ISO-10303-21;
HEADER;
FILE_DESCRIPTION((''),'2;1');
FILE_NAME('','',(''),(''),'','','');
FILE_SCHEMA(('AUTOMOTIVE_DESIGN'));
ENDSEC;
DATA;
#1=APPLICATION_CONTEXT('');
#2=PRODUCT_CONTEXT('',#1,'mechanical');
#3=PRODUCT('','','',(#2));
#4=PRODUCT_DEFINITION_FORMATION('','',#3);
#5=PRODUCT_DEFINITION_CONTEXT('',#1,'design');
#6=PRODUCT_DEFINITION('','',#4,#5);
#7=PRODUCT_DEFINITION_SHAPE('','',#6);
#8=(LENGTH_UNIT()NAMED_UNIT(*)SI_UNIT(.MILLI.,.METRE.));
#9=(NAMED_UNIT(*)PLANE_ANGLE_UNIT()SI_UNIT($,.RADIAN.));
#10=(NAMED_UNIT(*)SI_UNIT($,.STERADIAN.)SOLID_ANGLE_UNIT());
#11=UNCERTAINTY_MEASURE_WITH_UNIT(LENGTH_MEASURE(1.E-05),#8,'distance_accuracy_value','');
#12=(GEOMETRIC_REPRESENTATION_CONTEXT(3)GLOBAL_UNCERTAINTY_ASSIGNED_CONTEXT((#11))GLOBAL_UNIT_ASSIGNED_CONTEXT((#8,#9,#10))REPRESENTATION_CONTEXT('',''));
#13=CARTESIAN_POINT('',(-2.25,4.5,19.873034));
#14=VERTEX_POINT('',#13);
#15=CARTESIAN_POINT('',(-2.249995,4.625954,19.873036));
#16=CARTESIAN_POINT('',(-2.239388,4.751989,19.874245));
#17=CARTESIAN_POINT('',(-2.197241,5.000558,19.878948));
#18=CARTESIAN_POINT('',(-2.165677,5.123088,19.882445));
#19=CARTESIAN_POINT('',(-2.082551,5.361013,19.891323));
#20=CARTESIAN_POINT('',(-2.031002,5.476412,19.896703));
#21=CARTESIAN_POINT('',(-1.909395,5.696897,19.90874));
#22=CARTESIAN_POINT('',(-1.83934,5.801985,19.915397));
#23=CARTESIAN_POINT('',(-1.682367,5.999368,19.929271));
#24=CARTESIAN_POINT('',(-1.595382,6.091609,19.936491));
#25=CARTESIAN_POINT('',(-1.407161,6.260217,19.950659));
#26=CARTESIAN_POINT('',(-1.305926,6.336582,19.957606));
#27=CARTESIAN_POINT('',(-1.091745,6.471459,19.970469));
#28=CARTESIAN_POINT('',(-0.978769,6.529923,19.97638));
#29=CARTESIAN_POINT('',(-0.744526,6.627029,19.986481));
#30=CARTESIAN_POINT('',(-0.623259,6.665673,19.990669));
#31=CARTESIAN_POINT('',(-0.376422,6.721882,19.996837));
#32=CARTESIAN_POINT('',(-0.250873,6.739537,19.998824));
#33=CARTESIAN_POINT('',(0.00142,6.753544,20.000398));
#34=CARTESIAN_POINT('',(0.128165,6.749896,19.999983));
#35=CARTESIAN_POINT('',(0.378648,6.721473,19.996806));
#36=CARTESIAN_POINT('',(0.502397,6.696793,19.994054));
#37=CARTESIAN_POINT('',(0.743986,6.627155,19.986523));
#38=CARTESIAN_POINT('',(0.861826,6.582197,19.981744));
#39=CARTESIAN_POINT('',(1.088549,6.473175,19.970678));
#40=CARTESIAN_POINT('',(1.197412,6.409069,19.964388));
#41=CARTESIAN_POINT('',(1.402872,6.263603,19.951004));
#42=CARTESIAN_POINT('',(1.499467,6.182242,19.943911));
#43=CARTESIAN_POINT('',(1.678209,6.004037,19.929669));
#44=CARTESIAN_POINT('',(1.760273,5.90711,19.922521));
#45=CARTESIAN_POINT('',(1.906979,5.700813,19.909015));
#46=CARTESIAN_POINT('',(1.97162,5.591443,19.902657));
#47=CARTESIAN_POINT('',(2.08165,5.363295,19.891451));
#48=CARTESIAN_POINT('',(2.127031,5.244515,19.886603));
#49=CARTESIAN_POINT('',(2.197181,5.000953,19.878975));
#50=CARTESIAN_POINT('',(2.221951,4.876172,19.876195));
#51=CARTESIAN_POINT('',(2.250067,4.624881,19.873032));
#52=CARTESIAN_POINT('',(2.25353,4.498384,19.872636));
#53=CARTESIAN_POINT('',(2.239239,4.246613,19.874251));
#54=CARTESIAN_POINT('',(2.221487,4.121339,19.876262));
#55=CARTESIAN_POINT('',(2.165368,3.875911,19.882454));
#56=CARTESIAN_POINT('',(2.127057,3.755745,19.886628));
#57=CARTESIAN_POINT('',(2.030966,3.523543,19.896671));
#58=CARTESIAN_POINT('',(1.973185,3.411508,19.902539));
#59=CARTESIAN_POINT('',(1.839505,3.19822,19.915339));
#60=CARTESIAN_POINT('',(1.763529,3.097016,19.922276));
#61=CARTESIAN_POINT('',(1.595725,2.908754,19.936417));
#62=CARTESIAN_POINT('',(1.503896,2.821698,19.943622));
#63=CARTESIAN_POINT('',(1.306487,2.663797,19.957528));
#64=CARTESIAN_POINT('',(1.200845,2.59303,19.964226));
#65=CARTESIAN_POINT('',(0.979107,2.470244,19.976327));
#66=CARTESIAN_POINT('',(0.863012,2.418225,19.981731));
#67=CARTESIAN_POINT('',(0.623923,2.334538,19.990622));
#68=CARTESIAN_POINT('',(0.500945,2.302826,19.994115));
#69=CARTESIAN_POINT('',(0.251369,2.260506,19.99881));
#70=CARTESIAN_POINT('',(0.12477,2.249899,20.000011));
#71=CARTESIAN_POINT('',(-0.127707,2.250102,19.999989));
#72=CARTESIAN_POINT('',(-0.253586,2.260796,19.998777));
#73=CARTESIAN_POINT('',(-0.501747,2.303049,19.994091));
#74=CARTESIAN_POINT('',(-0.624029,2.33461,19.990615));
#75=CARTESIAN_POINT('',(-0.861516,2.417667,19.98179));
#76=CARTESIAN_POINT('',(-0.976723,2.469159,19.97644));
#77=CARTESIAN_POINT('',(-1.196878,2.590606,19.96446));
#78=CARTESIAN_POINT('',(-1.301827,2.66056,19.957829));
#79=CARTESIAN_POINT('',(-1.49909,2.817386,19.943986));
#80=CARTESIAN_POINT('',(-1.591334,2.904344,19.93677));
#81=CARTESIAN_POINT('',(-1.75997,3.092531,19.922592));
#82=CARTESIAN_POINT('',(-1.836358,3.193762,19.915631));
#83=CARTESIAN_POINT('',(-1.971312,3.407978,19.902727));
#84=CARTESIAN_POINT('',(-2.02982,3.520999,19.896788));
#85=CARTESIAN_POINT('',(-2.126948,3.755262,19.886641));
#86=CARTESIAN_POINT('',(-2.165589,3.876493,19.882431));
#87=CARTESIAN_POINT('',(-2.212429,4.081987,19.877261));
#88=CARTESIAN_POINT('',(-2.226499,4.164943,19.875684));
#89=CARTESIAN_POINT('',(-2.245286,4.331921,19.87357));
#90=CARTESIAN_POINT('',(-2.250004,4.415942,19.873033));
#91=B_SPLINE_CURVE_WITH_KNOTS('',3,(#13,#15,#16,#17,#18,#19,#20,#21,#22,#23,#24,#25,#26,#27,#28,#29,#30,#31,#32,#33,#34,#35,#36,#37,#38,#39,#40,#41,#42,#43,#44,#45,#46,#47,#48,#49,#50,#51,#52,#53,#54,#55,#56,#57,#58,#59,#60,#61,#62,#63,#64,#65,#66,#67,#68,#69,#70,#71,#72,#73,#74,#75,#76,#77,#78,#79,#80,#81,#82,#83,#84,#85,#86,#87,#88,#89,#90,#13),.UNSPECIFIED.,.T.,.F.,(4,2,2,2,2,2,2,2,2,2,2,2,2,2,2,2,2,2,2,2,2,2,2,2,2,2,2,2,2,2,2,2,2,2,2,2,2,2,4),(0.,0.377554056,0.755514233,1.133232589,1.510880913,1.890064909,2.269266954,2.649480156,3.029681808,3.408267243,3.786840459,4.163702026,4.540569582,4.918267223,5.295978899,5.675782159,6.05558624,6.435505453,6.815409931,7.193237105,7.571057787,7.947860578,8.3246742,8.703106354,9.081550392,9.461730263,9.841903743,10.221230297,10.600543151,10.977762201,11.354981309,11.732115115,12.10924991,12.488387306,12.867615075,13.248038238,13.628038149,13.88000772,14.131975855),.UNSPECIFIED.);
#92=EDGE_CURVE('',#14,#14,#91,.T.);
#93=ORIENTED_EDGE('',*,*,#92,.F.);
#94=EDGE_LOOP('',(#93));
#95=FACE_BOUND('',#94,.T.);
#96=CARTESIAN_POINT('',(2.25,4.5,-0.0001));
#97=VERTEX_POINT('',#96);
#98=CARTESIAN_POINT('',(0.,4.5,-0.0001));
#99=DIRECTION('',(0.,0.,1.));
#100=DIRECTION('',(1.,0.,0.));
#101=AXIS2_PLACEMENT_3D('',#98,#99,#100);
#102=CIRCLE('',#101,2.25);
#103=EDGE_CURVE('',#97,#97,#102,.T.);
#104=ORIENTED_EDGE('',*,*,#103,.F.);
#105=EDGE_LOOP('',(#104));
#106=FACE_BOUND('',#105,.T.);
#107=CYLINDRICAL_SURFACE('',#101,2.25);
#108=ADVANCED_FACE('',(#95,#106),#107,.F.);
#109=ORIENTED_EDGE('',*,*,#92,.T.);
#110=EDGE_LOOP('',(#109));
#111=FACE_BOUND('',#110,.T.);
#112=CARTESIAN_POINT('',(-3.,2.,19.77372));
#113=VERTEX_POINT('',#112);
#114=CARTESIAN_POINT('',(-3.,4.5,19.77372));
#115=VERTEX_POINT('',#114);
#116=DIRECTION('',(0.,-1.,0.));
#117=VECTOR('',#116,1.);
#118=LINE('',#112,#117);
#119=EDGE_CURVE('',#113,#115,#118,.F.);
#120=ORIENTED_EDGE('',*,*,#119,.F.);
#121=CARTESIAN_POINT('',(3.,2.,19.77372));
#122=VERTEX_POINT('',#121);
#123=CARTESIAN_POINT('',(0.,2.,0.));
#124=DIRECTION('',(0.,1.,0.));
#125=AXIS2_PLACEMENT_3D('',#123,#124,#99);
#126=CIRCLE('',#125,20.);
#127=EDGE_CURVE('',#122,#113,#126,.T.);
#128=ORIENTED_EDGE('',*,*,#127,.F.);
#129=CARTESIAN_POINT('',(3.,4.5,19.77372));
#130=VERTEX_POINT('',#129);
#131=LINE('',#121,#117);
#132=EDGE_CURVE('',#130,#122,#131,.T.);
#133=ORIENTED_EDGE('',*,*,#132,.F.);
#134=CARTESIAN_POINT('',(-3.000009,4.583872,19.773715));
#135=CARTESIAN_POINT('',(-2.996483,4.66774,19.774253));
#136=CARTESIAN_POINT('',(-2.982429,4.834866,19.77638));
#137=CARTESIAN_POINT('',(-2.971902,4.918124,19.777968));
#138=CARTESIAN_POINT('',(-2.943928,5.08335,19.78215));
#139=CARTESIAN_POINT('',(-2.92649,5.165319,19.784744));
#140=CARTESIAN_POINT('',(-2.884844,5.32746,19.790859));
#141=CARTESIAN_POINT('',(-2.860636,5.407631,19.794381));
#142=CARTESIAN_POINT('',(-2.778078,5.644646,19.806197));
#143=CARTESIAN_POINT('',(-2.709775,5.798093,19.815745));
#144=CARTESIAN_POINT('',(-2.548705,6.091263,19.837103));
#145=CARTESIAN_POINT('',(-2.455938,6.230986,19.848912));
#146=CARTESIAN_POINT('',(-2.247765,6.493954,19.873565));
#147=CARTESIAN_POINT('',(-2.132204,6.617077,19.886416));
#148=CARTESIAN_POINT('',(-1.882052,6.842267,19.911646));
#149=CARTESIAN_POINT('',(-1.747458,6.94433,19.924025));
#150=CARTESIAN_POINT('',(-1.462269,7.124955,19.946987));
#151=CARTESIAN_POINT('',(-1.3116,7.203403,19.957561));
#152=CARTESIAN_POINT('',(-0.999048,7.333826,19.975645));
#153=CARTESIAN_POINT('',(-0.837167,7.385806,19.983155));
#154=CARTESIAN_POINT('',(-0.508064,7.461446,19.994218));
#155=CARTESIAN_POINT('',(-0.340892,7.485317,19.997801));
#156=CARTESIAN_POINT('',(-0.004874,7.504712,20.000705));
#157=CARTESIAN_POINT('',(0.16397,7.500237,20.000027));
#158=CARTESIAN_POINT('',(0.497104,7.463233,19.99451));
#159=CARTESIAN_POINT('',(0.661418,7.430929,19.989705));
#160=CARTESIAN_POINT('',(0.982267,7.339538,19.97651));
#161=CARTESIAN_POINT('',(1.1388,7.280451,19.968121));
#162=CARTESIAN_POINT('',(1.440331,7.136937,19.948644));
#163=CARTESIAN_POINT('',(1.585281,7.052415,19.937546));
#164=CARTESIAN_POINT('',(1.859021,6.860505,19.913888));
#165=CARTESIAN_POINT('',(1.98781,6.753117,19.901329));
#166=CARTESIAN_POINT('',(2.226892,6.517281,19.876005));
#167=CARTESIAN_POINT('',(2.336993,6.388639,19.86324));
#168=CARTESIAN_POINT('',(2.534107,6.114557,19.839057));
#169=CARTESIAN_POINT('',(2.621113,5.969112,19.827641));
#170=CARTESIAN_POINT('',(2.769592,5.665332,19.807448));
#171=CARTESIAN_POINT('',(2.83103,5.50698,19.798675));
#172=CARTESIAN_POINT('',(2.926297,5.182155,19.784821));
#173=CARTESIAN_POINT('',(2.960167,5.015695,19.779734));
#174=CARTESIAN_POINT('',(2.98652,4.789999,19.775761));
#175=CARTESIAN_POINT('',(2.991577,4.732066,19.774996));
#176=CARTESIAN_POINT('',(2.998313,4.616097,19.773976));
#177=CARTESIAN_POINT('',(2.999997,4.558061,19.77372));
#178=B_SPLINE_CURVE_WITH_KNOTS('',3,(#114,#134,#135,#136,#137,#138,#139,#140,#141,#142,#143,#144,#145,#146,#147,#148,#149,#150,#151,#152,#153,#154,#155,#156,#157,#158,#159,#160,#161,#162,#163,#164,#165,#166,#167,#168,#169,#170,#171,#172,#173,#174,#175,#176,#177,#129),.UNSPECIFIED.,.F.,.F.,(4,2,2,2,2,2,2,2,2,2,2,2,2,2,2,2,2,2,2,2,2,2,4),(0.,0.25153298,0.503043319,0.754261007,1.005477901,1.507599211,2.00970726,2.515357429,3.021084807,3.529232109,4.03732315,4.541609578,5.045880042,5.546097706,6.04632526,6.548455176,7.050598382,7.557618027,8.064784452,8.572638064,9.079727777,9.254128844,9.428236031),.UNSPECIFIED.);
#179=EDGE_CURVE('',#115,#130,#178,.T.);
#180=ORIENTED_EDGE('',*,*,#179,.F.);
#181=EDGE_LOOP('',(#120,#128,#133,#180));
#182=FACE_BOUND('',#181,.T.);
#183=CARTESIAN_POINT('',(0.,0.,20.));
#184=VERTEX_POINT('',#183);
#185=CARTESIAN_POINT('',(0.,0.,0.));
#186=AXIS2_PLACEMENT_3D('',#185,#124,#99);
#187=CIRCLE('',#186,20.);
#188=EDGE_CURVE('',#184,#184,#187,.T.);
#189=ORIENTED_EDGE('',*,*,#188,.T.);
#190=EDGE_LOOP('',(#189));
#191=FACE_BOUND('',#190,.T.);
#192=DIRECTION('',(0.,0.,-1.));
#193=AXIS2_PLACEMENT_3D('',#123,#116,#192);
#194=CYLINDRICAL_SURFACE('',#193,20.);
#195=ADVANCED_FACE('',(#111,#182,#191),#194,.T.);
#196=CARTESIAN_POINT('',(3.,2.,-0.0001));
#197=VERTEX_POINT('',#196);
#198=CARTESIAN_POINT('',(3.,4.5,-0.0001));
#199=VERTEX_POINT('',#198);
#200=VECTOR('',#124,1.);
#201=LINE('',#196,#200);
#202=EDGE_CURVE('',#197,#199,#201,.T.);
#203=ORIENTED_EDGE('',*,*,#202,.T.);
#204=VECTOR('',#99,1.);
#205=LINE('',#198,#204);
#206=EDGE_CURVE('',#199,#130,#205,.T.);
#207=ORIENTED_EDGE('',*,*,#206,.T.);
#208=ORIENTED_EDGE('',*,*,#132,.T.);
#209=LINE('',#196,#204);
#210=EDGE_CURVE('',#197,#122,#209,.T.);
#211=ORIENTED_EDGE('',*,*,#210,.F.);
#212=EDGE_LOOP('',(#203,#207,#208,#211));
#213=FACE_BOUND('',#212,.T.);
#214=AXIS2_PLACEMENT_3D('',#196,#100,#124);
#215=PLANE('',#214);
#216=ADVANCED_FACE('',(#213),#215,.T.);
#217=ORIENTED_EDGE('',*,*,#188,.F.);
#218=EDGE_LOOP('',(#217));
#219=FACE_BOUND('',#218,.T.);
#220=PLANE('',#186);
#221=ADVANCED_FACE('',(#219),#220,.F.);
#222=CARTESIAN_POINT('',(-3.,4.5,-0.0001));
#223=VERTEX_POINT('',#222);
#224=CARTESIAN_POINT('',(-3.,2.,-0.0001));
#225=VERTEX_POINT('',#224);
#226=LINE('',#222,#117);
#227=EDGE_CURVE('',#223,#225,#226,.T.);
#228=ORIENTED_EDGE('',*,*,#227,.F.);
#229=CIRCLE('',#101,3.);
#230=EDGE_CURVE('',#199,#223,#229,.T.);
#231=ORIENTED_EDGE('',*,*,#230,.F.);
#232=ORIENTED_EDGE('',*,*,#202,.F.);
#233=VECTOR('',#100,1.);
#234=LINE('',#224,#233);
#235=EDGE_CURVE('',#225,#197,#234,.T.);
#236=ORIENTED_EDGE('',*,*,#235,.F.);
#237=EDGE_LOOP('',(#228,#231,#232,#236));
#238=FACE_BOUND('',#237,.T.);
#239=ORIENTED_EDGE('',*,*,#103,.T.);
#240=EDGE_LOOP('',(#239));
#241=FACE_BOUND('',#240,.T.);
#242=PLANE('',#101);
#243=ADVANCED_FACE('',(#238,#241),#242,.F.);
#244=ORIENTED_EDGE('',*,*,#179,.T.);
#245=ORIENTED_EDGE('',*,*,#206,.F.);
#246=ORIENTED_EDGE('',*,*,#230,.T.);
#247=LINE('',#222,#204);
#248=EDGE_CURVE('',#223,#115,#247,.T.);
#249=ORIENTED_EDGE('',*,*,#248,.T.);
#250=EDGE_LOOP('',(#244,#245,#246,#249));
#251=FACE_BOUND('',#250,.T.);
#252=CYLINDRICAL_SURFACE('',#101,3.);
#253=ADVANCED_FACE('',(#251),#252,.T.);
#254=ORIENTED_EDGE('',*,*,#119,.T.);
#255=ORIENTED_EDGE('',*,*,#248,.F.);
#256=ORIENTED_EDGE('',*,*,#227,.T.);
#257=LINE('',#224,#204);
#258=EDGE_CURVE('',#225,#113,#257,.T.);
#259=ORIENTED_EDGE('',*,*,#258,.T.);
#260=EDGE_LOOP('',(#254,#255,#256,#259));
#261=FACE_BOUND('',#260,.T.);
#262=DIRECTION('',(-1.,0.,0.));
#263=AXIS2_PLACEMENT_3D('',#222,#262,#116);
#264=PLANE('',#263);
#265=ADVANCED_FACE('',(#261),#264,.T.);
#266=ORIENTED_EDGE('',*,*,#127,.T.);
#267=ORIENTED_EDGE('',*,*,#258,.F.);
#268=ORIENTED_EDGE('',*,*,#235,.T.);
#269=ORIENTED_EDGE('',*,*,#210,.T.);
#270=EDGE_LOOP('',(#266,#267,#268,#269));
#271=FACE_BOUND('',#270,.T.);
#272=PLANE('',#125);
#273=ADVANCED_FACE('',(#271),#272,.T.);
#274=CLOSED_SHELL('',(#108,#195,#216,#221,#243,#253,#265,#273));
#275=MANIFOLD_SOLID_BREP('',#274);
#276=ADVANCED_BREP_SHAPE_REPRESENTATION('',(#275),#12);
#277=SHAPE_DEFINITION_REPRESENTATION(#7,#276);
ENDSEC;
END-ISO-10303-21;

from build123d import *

# Parameters (mm, degrees)
SKETCH1_R                       = 20
BOSS_EXTRUDE1_DEPTH             = 2
BOSS_EXTRUDE2_REACH             = 30.355
BOSS_EXTRUDE2_END_RADIUS        = 20
SKETCH4_R                       = 2.25
BOSS_EXTRUDE2_DIRECTION_2_DEPTH = 0.0001


with BuildPart() as part:
    # Sketch1 → Boss-Extrude1 (new body)
    with BuildSketch(Plane(origin=(0, 0, 0), x_dir=(1, 0, 0), z_dir=(0, 1, 0))):
        Circle(SKETCH1_R)
    extrude(amount=BOSS_EXTRUDE1_DEPTH)

    # Boss-Extrude2: up to this cylinder (the profile starts inside it)
    boss_extrude2_end = Plane(origin=(0, 3.25, 0), z_dir=(0, -1, 0)) * Cylinder(BOSS_EXTRUDE2_END_RADIUS, 101.71, mode=Mode.PRIVATE)
    # Sketch4 → Boss-Extrude2 (add, up to the surface)
    with BuildSketch(Plane.XY, mode=Mode.PRIVATE) as boss_extrude2_sk1:
        with BuildLine():
            Line((-3, 4.5), (-3, 2))
            Line((-3, 2), (3, 2))
            Line((3, 2), (3, 4.5))
            ThreePointArc((3, 4.5), (0, 7.5), (-3, 4.5))
        make_face()
        with Locations((0, 4.5)):
            Circle(SKETCH4_R, mode=Mode.SUBTRACT)
    boss_extrude2_tool1 = extrude(boss_extrude2_sk1.sketch, amount=BOSS_EXTRUDE2_REACH, mode=Mode.PRIVATE) & boss_extrude2_end
    add(boss_extrude2_tool1.solids().sort_by_distance((-2.918606, 3.25, 0))[0])

    # Sketch4 → Boss-Extrude2 direction 2 (add)
    with BuildSketch(Plane.XY):
        with BuildLine():
            Line((-3, 4.5), (-3, 2))
            Line((-3, 2), (3, 2))
            Line((3, 2), (3, 4.5))
            ThreePointArc((3, 4.5), (0, 7.5), (-3, 4.5))
        make_face()
        with Locations((0, 4.5)):
            Circle(SKETCH4_R, mode=Mode.SUBTRACT)
    extrude(amount=-BOSS_EXTRUDE2_DIRECTION_2_DEPTH)


solid = part.part
